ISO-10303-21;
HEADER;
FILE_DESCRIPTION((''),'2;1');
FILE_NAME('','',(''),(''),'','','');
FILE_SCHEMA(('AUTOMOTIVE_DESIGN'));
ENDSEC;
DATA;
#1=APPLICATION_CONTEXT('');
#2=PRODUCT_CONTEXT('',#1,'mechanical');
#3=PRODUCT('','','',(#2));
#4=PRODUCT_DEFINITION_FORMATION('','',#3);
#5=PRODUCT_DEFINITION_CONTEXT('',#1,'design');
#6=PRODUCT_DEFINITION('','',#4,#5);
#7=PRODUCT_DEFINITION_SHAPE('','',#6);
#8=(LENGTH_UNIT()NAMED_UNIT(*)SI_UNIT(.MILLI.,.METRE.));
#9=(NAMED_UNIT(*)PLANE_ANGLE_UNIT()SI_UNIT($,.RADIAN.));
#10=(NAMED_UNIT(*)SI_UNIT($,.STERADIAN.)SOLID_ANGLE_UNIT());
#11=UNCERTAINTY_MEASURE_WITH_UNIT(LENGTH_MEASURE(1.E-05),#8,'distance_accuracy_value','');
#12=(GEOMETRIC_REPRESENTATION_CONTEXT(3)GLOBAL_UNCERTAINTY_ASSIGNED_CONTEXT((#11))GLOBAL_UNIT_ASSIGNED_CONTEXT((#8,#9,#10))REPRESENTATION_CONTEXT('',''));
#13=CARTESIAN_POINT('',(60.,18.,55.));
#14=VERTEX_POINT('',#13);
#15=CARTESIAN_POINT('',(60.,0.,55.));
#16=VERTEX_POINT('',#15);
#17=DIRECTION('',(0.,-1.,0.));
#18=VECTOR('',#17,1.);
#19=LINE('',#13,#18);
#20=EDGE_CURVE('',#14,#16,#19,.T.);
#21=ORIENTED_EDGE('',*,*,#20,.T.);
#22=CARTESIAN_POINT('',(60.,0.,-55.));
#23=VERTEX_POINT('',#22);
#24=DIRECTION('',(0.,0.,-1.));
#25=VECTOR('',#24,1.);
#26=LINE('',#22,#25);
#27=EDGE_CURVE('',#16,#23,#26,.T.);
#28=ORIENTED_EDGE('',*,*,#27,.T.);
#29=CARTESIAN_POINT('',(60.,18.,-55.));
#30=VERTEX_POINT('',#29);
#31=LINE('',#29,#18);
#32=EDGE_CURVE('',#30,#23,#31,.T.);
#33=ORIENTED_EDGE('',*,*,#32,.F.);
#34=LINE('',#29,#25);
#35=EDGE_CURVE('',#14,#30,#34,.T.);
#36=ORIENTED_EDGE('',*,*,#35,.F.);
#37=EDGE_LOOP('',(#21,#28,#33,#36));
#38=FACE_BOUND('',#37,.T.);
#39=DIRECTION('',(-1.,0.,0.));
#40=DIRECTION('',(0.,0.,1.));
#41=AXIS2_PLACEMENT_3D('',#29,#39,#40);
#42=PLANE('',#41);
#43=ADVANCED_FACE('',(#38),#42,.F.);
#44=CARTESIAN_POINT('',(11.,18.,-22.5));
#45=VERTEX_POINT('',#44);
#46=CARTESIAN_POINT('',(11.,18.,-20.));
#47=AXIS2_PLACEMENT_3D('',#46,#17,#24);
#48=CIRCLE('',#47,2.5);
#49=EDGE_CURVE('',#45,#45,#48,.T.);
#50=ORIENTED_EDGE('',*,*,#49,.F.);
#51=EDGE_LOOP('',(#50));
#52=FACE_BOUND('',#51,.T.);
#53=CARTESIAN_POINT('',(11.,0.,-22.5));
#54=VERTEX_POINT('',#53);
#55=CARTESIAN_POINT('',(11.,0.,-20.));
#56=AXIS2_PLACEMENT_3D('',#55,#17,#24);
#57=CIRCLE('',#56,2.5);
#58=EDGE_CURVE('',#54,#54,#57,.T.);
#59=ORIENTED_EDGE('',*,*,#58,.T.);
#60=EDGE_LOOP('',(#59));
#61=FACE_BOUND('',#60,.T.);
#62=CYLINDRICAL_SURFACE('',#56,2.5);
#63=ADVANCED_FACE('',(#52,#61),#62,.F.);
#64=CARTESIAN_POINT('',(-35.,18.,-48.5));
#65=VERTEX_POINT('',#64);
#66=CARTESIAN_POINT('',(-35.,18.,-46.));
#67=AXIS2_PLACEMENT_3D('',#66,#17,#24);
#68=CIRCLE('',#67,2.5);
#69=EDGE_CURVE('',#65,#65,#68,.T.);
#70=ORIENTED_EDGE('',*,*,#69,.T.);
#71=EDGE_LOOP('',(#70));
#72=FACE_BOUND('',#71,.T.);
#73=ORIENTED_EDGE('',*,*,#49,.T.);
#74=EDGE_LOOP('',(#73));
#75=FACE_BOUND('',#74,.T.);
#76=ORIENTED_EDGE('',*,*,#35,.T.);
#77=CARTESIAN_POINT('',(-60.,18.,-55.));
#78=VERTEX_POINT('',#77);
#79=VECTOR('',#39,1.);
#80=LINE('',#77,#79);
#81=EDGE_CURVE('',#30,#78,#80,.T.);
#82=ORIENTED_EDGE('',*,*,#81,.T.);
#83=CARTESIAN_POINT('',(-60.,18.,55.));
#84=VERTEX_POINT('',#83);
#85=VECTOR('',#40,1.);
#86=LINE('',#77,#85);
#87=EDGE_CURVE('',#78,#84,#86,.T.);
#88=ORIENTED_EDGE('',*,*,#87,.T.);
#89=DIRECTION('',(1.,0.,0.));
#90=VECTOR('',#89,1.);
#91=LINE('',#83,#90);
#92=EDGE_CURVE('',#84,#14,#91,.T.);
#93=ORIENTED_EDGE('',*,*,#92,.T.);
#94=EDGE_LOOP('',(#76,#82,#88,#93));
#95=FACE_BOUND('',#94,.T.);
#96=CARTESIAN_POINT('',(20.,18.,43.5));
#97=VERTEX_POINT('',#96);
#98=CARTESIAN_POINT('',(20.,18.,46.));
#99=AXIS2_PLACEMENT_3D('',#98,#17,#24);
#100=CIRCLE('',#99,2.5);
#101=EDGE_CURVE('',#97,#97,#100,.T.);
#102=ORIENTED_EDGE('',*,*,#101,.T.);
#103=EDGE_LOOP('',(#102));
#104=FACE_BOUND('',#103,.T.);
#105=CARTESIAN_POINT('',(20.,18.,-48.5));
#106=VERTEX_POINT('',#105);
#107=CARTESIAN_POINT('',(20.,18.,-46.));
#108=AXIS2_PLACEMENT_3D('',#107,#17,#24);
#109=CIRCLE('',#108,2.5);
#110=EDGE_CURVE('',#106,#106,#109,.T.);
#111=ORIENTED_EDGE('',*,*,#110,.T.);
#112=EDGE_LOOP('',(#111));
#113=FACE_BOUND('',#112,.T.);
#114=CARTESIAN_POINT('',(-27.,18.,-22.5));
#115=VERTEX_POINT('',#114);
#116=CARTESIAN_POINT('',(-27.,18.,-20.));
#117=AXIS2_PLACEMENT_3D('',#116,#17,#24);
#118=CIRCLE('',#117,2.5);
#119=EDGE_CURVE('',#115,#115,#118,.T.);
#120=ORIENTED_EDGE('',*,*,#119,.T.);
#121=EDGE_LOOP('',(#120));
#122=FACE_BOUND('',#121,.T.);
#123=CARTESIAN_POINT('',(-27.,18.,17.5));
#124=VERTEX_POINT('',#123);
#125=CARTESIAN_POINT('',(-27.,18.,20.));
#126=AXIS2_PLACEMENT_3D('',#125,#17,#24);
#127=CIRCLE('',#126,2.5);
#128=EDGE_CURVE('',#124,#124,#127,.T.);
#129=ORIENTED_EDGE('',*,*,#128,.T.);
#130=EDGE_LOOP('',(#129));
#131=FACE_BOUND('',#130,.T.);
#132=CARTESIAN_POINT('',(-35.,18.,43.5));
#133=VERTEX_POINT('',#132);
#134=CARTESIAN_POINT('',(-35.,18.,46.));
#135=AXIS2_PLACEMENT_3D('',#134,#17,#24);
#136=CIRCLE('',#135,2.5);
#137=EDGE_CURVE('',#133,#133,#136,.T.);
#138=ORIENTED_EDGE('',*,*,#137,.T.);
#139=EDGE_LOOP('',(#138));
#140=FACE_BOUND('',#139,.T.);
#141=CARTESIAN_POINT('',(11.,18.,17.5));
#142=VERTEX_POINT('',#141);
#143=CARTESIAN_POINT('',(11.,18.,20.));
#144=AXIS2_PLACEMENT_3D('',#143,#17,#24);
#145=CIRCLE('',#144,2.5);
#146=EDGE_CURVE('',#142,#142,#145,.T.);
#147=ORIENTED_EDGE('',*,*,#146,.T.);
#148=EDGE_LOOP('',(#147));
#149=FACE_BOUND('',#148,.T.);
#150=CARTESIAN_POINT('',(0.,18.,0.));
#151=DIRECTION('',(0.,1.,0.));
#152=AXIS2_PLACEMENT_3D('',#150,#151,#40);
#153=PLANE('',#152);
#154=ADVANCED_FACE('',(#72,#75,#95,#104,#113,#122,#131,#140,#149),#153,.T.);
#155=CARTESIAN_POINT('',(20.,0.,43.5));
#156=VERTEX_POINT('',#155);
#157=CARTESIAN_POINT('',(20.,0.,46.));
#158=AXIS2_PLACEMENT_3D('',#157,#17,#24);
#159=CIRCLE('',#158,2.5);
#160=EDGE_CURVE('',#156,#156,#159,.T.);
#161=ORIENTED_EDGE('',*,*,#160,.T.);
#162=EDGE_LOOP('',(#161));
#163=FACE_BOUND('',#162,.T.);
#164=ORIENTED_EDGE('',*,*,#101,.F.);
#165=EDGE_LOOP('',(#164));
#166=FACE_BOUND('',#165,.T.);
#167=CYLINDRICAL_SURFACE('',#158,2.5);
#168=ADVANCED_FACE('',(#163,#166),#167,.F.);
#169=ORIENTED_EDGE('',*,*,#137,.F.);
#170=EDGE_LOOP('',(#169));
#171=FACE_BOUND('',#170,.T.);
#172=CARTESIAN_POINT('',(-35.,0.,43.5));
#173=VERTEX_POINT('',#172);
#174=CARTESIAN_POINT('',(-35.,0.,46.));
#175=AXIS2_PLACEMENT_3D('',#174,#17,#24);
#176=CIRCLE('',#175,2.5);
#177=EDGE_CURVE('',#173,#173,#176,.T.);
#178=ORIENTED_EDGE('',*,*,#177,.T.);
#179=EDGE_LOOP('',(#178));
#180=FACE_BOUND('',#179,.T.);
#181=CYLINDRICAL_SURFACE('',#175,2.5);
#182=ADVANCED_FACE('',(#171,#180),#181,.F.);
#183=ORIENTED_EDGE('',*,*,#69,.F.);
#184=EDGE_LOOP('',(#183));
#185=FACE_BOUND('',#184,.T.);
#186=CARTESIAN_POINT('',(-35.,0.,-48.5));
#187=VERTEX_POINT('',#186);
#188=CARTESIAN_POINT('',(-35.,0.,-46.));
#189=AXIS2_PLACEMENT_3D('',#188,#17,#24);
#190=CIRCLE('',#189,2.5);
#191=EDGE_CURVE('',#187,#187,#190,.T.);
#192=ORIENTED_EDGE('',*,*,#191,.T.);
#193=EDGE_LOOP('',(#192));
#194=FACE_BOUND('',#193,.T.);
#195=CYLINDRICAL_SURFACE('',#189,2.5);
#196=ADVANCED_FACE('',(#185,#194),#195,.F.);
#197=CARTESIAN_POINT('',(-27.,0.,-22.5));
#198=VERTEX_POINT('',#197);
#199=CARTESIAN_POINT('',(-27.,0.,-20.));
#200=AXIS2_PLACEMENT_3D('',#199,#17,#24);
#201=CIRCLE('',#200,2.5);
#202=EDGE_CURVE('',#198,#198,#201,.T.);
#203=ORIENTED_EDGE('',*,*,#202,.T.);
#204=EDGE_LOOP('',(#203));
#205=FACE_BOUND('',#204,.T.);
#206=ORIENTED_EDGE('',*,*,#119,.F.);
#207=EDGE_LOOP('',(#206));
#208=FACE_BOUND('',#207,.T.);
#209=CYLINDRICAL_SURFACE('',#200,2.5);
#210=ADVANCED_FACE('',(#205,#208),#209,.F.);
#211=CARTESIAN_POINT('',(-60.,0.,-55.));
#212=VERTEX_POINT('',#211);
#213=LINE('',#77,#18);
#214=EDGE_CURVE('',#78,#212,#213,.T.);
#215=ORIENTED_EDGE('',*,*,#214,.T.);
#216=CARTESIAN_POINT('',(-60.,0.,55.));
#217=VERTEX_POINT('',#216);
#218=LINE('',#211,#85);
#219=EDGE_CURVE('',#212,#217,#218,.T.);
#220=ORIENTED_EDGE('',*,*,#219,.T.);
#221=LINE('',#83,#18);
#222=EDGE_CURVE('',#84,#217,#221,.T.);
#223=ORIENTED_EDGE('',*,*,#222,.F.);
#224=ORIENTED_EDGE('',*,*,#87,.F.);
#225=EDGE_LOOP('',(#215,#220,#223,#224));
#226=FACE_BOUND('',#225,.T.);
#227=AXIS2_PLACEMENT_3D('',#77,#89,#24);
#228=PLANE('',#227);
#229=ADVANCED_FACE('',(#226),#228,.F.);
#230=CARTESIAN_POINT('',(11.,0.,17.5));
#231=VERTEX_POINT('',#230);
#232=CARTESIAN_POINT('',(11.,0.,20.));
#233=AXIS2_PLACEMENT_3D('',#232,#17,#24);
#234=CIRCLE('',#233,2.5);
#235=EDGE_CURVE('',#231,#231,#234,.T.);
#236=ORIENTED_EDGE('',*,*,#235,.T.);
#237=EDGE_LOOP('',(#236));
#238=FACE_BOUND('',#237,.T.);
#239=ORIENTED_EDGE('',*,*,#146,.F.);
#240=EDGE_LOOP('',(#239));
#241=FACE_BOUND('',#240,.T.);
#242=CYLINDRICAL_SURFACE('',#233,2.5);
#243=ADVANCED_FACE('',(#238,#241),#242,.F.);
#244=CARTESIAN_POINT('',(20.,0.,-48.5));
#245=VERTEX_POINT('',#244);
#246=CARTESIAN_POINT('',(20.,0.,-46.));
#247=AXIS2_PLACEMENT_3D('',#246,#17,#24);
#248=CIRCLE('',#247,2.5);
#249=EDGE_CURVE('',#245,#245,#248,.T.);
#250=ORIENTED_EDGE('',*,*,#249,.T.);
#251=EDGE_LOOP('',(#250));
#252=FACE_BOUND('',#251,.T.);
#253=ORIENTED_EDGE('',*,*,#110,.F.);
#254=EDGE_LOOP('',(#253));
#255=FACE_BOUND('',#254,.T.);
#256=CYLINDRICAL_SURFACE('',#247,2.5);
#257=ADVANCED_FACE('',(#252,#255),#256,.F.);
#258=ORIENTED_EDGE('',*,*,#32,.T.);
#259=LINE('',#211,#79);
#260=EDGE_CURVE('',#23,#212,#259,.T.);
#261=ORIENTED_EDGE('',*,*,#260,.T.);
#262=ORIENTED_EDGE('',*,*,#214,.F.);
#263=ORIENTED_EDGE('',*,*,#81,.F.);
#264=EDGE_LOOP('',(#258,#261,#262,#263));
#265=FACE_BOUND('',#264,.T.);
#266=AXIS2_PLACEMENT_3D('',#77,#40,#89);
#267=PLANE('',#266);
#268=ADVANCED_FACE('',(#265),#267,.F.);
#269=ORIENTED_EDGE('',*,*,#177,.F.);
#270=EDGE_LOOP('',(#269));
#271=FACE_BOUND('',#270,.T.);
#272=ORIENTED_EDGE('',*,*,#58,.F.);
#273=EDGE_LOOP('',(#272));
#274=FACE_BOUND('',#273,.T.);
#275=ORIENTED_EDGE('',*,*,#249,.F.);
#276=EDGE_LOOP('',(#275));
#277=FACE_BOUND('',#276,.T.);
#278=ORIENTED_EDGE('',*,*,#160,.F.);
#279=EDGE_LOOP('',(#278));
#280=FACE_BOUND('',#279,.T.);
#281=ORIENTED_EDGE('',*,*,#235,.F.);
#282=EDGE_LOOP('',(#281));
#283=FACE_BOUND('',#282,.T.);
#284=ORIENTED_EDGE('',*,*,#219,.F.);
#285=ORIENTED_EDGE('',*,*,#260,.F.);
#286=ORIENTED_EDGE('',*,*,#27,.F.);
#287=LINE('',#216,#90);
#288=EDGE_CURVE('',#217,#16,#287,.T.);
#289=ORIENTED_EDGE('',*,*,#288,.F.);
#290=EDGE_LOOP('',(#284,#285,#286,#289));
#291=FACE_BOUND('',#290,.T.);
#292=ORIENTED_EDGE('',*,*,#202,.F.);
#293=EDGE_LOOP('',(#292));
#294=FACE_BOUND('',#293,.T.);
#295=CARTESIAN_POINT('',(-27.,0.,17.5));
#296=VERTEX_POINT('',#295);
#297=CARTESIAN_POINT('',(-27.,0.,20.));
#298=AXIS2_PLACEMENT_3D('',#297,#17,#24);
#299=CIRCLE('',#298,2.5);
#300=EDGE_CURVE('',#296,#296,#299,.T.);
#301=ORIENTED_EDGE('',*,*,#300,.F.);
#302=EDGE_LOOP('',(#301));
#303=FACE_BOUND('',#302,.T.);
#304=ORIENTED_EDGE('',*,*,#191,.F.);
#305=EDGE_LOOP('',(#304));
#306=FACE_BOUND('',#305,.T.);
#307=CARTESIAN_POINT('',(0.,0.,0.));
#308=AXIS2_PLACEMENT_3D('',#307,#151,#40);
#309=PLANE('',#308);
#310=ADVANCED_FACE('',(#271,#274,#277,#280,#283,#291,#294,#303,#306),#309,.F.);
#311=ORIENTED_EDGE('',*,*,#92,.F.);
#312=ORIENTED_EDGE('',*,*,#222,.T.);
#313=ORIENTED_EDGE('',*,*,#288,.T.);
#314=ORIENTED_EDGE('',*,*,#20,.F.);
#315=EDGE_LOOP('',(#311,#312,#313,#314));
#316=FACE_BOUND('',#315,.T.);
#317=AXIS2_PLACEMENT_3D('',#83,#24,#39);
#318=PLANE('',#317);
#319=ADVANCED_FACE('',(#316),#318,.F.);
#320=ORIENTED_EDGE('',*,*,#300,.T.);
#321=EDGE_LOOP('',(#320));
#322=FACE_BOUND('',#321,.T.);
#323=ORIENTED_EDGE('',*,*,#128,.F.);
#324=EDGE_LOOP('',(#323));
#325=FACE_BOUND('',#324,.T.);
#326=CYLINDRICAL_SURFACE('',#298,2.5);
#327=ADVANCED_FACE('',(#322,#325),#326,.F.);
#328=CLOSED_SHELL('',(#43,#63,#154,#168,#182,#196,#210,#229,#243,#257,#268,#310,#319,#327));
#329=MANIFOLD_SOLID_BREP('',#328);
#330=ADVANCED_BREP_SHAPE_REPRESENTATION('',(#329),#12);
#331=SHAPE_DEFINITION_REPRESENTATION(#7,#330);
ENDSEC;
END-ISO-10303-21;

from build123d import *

# Parameters (mm, degrees)
SKETCH1_W                = 120
SKETCH1_H                = 110
BOSS_EXTRUDE1_DEPTH      = 18
F_5_0_5_DIAMETER_HOLE1_D = 5
F_5_0_5_DIAMETER_HOLE3_D = 5


with BuildPart() as part:
    # Sketch1 → Boss-Extrude1 (new body)
    with BuildSketch(Plane(origin=(0, 0, 0), x_dir=(1, 0, 0), z_dir=(0, 1, 0))):
        Rectangle(SKETCH1_W, SKETCH1_H)
    extrude(amount=BOSS_EXTRUDE1_DEPTH)

    # Ø5.0 (5) Diameter Hole1 (through all)
    with Locations(Plane(origin=(0, 0, 0), x_dir=(-1, 0, 0), z_dir=(0, -1, 0))):
        with Locations((-20, 46), (35, 46), (35, -46), (-20, -46)):
            Hole(F_5_0_5_DIAMETER_HOLE1_D / 2)

    # Ø5.0 (5) Diameter Hole3 (through all)
    with Locations(Plane(origin=(0, 0, 0), x_dir=(-1, 0, 0), z_dir=(0, -1, 0))):
        with Locations((27, 20), (-11, 20), (-11, -20), (27, -20)):
            Hole(F_5_0_5_DIAMETER_HOLE3_D / 2)


solid = part.part
